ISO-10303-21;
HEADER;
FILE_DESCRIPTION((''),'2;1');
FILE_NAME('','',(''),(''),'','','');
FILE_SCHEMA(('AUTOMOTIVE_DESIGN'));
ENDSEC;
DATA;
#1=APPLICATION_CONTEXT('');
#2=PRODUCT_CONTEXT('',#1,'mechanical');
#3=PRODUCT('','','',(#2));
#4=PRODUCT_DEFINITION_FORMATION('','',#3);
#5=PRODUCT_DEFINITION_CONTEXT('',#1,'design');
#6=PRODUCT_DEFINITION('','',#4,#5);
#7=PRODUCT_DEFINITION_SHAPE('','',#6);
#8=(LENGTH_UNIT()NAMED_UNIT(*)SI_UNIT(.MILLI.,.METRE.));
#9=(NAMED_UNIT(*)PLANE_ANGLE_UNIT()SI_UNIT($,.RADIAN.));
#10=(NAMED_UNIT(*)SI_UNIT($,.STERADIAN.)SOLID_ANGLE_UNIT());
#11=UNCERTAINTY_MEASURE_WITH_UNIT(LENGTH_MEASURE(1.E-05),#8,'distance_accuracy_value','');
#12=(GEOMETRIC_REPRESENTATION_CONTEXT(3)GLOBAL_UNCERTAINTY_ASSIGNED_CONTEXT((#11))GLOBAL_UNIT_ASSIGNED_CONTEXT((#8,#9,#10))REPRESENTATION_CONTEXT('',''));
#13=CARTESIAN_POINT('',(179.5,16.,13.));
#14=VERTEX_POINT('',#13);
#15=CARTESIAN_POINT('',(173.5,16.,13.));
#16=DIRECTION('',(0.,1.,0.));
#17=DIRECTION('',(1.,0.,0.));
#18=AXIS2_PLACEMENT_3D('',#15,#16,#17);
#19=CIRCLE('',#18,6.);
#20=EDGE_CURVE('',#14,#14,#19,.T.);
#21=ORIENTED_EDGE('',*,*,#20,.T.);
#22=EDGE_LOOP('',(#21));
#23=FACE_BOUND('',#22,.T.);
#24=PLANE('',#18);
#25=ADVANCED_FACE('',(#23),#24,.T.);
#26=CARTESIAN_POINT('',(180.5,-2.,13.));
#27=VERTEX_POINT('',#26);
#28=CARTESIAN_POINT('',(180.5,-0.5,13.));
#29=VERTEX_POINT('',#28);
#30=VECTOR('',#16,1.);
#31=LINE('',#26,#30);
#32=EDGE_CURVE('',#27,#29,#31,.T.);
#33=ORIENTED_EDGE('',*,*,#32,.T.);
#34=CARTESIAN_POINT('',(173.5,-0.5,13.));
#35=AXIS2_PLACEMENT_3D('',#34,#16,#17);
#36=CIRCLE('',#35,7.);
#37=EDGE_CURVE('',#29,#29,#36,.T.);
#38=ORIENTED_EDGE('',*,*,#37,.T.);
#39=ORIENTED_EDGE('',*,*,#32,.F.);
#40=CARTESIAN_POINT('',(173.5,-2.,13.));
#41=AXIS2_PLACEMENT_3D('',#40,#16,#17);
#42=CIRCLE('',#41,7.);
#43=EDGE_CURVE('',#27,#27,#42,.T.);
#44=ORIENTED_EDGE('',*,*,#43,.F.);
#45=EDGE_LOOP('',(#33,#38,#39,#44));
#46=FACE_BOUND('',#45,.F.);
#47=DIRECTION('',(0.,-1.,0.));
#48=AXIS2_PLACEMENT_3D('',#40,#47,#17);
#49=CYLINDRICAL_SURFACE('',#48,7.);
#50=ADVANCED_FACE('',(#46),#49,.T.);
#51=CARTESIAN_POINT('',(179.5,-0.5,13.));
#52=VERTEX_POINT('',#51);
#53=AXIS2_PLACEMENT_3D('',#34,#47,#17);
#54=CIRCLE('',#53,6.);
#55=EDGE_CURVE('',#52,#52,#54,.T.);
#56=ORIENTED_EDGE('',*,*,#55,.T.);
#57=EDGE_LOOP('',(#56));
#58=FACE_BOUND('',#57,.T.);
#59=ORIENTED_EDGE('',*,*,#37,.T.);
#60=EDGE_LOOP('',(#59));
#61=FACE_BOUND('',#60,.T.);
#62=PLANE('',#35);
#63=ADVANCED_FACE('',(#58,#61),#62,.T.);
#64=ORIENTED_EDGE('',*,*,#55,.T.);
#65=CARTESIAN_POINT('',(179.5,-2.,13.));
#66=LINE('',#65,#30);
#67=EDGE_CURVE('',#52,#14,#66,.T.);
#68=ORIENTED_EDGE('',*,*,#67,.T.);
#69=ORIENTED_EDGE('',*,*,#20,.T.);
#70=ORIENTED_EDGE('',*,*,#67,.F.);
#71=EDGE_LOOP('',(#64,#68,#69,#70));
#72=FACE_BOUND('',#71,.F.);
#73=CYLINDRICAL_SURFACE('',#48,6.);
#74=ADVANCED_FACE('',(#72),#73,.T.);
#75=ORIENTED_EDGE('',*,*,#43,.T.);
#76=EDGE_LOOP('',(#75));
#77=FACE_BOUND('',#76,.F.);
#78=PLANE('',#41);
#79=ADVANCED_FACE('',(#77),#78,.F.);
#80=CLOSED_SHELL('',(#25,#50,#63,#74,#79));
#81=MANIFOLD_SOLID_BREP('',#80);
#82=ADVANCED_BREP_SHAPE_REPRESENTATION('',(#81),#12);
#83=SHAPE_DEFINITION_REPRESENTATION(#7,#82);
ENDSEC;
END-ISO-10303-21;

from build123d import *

# Parameters (mm, degrees)
CYLINDER004_R          = 7
CYLINDER004_DEPTH      = 1.5
CYLINDER003_R          = 6
CYLINDER003_DEPTH      = 18
FUSION_PLACEMENT_ANGLE = 270


with BuildPart() as cylinder004:
    # Cylinder004 → Cylinder004 (new body)
    with BuildSketch(Plane.XY):
        Circle(CYLINDER004_R)
    extrude(amount=CYLINDER004_DEPTH)


with BuildPart() as dc_jack:
    # Cylinder003 → Cylinder003 (new body)
    with BuildSketch(Plane.XY):
        Circle(CYLINDER003_R)
    extrude(amount=CYLINDER003_DEPTH)

    # Fusion: union Cylinder004
    add(cylinder004.part)


with BuildPart() as dc_jack_1:
    # Fusion placement: moved
    add(dc_jack.part.moved(Location((173.5, -2, 13))).rotate(Axis((173.5, -2, 13), (1, 0, 0)), FUSION_PLACEMENT_ANGLE))


solid = dc_jack_1.part
